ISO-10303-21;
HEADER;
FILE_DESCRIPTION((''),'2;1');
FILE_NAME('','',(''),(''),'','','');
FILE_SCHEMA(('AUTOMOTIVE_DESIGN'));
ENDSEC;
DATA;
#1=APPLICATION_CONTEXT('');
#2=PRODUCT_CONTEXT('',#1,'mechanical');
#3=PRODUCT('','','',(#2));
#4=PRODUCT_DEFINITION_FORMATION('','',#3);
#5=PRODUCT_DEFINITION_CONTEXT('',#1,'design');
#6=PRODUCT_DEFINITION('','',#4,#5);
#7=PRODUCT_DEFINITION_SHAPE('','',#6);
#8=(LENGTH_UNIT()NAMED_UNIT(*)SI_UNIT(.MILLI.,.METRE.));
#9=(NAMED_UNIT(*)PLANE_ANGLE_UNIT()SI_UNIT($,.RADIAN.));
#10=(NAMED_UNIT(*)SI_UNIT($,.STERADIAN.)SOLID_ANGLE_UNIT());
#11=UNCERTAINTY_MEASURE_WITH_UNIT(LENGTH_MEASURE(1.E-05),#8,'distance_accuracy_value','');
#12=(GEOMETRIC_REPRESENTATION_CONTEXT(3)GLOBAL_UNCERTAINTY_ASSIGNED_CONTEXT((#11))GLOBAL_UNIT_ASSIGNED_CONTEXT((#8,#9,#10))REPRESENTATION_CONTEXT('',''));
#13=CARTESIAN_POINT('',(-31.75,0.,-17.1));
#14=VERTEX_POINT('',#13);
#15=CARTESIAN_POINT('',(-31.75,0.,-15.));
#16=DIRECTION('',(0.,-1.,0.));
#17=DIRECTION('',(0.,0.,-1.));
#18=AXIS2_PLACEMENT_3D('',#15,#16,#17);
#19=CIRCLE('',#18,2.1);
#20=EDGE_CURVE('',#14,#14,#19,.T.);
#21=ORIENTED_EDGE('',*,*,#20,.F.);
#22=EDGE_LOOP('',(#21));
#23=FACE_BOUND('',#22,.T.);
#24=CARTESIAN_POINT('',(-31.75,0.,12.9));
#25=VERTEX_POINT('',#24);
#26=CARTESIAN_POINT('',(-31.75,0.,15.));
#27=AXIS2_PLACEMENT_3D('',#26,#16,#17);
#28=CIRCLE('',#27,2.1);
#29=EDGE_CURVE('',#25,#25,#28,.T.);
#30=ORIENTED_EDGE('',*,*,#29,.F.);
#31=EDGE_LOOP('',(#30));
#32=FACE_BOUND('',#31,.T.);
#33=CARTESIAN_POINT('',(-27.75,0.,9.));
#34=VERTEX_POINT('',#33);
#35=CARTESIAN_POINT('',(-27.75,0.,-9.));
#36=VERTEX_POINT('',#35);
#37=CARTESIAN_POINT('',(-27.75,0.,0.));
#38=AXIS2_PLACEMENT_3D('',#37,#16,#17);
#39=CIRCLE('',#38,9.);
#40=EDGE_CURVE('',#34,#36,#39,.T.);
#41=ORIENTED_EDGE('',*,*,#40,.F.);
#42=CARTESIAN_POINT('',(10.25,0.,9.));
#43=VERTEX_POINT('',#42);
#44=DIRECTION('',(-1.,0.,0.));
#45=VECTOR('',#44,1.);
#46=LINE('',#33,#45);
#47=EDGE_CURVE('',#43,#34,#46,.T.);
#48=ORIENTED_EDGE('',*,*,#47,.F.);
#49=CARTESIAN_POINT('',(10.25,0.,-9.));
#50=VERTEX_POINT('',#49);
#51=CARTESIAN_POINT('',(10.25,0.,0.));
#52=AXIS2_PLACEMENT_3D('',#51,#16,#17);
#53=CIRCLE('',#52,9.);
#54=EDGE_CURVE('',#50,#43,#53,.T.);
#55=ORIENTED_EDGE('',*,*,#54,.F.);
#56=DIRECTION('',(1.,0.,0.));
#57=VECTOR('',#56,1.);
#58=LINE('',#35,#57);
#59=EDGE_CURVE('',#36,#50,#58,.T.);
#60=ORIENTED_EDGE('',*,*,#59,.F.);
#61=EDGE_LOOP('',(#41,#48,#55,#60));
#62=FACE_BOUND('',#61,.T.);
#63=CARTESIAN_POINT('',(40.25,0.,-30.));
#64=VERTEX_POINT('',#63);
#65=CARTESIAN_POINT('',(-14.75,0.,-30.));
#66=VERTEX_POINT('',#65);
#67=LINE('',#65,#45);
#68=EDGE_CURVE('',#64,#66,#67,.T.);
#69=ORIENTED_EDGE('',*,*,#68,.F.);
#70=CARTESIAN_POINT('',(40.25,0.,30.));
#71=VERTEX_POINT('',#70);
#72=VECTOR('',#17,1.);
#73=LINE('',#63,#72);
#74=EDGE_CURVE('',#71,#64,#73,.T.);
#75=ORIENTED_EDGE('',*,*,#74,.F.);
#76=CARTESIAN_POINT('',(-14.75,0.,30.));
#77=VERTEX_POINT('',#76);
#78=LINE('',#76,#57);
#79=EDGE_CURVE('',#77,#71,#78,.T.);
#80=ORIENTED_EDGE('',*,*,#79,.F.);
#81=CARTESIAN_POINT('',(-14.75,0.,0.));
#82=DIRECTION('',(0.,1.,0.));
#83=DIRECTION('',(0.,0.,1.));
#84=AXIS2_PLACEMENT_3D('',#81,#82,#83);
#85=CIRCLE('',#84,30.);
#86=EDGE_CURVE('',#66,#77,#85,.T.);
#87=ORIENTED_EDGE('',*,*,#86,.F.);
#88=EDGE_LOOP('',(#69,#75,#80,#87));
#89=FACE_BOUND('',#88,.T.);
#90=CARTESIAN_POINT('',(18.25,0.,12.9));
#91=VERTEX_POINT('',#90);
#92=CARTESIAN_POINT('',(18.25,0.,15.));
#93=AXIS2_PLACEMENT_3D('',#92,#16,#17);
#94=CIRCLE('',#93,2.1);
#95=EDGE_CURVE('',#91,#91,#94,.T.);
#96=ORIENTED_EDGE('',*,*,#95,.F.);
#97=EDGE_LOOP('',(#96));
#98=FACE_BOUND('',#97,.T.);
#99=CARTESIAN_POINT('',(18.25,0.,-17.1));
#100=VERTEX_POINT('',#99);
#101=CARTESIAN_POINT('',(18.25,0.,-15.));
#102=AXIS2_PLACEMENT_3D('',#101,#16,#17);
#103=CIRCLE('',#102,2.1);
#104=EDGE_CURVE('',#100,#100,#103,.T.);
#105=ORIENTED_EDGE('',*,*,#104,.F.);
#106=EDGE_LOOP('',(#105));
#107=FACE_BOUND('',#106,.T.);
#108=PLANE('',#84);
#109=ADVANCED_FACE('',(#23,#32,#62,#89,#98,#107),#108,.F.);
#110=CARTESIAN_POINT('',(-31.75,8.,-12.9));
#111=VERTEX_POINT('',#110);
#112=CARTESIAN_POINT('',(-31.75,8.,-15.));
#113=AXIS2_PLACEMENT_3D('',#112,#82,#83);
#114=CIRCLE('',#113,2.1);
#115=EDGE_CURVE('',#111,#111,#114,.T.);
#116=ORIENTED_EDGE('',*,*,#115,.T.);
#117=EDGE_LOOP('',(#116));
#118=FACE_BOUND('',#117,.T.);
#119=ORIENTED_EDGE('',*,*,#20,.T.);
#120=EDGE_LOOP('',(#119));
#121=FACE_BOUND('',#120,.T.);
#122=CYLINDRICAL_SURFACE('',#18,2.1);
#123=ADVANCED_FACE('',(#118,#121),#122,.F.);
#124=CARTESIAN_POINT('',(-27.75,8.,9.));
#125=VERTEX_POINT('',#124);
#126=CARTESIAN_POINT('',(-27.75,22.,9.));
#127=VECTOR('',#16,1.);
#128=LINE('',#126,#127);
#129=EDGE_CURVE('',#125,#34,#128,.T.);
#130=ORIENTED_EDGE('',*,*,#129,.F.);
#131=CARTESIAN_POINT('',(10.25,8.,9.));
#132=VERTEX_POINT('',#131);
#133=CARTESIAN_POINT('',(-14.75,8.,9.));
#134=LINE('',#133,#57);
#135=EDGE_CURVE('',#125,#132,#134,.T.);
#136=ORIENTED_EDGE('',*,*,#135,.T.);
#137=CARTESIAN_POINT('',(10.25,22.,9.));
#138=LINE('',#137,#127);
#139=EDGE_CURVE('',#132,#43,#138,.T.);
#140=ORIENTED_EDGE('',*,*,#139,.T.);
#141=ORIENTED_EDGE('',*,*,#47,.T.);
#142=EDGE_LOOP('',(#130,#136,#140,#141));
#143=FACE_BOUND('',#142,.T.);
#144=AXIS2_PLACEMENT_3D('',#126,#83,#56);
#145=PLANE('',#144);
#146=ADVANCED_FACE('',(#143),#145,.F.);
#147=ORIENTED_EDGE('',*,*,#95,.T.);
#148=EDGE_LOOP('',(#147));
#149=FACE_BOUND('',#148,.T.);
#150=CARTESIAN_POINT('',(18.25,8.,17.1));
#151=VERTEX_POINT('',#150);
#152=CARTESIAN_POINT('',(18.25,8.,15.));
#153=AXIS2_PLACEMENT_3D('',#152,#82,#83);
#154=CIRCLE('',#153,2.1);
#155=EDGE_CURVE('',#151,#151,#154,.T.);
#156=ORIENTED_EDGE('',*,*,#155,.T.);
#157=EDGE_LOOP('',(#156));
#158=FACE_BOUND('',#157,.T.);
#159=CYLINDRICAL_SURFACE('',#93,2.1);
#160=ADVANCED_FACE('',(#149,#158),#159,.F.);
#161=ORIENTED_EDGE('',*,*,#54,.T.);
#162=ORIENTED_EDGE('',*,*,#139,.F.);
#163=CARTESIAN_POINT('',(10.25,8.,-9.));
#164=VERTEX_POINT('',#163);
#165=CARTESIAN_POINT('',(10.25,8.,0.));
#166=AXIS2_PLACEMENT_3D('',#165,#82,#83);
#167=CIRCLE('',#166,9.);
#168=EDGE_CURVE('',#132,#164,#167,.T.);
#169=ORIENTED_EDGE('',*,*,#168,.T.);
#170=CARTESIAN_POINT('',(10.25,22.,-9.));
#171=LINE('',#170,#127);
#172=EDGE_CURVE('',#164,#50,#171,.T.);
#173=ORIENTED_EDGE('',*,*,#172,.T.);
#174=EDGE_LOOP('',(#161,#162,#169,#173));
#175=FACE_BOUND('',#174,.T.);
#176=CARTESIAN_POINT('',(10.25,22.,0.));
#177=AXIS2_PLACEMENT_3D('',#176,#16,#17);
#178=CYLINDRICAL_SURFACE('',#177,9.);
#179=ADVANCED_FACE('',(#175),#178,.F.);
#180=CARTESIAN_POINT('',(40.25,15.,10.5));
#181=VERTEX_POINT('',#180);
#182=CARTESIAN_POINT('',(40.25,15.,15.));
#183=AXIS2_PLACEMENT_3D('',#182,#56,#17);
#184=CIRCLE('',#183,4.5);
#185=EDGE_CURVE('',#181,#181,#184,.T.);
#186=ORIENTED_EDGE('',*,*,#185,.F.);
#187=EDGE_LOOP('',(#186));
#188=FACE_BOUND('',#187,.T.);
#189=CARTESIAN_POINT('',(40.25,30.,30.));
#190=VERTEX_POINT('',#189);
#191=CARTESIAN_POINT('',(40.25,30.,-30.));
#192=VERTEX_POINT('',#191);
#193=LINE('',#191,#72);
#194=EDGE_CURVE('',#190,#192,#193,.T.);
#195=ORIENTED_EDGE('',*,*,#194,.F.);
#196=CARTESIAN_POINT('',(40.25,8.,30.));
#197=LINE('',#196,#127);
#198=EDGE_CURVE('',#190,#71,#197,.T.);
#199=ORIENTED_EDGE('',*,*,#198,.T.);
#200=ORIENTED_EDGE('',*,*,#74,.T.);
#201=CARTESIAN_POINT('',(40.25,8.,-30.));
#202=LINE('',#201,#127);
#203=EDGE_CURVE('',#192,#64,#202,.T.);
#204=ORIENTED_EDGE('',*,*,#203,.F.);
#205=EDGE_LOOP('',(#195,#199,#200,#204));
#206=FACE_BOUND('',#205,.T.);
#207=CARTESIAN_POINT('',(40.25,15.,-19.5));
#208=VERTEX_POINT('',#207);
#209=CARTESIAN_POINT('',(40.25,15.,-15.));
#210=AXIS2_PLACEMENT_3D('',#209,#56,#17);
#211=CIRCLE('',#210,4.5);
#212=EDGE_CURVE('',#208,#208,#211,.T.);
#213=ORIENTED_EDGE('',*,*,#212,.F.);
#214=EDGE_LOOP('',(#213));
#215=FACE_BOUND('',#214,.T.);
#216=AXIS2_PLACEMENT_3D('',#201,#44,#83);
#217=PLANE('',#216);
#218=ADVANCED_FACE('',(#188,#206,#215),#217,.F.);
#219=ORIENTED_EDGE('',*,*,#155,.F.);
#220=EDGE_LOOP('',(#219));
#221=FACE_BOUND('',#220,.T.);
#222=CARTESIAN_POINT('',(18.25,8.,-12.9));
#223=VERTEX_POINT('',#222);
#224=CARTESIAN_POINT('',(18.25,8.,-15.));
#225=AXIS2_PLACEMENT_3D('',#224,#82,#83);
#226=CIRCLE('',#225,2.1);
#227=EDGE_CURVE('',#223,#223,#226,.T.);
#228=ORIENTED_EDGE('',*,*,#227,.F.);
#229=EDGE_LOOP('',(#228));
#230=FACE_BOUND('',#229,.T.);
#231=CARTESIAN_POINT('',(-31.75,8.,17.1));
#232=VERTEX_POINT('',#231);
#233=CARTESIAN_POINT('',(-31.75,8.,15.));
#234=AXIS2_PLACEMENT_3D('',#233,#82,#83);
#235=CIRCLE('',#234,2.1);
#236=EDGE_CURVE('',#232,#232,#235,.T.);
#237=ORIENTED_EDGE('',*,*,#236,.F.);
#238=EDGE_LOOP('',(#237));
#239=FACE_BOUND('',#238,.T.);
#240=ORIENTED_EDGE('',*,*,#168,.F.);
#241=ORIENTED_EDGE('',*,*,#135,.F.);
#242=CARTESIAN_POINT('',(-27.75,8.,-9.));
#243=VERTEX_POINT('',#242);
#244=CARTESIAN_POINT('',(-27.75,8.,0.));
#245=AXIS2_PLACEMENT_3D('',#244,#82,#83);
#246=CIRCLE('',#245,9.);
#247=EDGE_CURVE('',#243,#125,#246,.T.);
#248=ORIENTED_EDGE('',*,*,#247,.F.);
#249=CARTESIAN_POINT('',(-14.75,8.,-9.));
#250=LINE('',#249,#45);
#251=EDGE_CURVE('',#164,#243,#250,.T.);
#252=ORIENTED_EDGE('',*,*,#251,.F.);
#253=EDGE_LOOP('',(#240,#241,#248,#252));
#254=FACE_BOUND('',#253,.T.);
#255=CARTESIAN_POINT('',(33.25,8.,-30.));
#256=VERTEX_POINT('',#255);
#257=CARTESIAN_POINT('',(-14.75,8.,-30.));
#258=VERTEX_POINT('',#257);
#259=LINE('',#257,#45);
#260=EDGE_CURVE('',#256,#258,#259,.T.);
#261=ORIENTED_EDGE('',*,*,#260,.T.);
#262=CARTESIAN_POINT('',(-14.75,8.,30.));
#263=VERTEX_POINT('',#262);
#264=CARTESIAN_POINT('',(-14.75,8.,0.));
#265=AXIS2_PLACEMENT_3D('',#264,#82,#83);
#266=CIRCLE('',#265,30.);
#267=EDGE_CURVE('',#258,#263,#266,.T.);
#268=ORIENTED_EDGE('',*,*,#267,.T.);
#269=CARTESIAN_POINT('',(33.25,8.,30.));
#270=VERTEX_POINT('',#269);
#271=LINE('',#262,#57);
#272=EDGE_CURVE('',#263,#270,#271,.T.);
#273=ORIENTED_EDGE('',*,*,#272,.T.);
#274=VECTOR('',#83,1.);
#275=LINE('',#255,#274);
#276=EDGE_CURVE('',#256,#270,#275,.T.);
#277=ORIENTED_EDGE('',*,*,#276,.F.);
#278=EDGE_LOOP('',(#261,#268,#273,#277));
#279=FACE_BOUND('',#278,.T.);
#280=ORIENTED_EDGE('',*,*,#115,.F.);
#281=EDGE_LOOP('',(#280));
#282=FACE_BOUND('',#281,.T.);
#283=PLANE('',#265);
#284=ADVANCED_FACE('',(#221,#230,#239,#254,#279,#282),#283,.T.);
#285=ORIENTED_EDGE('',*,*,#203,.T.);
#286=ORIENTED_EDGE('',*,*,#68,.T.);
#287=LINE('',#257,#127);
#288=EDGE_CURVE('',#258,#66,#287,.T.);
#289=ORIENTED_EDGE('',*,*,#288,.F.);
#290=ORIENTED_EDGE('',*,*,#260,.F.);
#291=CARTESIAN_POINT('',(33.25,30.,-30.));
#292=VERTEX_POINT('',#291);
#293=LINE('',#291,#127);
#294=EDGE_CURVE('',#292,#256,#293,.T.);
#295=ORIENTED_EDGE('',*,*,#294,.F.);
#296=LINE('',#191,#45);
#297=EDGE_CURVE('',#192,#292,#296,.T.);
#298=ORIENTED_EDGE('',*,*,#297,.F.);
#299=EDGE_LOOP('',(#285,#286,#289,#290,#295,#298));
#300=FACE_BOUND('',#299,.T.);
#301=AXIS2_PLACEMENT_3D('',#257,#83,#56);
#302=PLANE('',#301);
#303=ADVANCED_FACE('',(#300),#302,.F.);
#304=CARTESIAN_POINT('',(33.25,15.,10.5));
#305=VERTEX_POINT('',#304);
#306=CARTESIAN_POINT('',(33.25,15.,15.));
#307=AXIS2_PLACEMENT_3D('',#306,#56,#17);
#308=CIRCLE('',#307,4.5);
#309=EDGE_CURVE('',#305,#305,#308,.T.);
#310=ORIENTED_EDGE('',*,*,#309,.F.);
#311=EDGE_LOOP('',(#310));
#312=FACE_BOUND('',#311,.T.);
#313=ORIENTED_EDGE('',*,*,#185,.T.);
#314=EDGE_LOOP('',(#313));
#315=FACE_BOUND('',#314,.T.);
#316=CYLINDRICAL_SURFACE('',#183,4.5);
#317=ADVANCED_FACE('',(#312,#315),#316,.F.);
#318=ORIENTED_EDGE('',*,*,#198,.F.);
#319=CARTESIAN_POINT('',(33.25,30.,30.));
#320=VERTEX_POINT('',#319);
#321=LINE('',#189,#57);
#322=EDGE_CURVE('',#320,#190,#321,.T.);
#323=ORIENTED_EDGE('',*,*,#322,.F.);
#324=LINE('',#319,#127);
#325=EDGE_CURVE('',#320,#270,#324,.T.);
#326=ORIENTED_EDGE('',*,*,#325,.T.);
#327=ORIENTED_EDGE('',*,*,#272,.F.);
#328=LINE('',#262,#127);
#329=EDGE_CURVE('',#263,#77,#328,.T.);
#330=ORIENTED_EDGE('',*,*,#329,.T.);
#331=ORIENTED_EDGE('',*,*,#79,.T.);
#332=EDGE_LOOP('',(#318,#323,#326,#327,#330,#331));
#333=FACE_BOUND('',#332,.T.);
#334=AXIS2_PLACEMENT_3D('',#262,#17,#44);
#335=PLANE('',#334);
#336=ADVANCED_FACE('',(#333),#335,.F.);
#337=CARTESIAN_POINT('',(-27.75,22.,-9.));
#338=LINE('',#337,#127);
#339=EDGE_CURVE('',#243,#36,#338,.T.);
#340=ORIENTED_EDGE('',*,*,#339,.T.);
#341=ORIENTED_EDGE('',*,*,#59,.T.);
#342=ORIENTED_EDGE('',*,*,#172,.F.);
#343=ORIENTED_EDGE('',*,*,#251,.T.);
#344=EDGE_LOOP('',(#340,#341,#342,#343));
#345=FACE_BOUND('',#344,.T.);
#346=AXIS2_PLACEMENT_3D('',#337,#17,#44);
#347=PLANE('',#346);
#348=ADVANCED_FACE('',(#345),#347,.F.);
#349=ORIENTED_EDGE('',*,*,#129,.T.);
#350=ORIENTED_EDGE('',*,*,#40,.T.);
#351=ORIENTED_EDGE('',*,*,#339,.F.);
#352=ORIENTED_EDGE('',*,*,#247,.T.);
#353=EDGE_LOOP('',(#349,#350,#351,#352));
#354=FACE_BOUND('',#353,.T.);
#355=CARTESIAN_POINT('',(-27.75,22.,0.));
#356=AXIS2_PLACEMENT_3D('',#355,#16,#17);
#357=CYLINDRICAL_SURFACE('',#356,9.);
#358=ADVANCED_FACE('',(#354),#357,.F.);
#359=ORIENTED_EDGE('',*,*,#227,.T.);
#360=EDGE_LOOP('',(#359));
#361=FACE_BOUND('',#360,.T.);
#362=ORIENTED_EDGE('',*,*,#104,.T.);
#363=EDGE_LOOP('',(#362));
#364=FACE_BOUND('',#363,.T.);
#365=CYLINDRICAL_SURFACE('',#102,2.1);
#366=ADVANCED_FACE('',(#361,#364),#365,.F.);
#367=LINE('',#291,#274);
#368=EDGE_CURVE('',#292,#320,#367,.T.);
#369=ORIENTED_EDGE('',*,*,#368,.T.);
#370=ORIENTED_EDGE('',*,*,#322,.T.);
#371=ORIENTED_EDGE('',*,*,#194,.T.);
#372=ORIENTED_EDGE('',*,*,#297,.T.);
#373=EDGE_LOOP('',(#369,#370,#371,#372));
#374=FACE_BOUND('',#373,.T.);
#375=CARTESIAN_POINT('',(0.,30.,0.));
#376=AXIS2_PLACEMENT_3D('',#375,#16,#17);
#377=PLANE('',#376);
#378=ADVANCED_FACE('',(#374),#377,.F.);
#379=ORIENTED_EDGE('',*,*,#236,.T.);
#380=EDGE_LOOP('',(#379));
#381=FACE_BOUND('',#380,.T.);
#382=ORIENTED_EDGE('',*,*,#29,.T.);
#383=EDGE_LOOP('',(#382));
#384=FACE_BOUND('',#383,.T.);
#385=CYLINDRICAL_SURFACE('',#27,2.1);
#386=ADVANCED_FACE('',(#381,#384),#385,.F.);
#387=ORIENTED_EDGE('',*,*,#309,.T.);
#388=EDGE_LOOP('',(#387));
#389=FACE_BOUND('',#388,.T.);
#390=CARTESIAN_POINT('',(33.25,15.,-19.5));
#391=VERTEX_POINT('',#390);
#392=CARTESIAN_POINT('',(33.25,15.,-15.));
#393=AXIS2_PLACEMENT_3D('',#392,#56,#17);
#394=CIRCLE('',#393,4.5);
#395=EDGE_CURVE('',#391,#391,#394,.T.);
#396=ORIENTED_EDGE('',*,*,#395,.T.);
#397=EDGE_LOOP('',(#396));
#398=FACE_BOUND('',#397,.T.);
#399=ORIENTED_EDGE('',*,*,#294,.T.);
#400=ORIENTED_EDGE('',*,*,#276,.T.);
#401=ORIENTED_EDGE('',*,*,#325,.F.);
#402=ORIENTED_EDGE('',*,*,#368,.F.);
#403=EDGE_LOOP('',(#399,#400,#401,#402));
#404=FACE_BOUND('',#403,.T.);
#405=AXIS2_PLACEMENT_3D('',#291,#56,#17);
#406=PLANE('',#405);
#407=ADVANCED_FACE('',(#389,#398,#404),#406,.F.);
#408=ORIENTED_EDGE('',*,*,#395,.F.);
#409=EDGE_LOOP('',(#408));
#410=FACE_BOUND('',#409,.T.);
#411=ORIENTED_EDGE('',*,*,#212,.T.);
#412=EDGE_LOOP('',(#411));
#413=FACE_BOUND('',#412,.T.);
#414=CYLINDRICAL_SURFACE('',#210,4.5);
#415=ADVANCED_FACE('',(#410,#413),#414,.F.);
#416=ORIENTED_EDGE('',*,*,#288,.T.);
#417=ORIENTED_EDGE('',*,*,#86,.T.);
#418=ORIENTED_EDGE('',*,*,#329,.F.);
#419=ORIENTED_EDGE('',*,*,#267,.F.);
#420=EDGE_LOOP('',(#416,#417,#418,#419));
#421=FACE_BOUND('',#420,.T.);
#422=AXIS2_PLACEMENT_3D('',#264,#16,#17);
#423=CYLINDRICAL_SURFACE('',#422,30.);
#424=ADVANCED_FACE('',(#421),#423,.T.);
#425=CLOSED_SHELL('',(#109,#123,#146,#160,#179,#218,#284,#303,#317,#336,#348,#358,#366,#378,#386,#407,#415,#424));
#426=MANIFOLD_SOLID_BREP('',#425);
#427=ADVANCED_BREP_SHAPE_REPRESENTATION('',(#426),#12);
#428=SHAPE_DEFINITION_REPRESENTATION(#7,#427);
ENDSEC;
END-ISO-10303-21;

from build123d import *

# Parameters (mm, degrees)
EXTRUDE_1_DEPTH     = 8
SKETCH_2_W          = 7
SKETCH_2_H          = 60
EXTRUDE_2_DEPTH     = 22
MM_1_D              = 9
CUT_EXTRUDE_1_DEPTH = 22
HOLE_WIZARD_M5_1_D  = 4.2


with BuildPart() as part:
    # 草图1 → 凸台-拉伸1 (new body)
    with BuildSketch(Plane(origin=(0, 0, 0), x_dir=(1, 0, 0), z_dir=(0, 1, 0))):
        with BuildLine():
            Line((-14.75, 30), (40.25, 30))
            Line((40.25, 30), (40.25, -30))
            Line((40.25, -30), (-14.75, -30))
            ThreePointArc((-14.75, -30), (-44.75, 0), (-14.75, 30))
        make_face()
    extrude(amount=EXTRUDE_1_DEPTH)

    # 草图2 → 凸台-拉伸2 (add)
    with BuildSketch(Plane(origin=(0, 8, 0), x_dir=(1, 0, 0), z_dir=(0, 1, 0))):
        with Locations((36.75, 0)):
            Rectangle(SKETCH_2_W, SKETCH_2_H)
    extrude(amount=EXTRUDE_2_DEPTH)

    # 大小mm 暗销孔1 (through all)
    with Locations(Plane(origin=(40.25, 15, 15), x_dir=(0, 0, 1), z_dir=(1, 0, 0))):
        with Locations((0, 0), (-30, 0)):
            Hole(MM_1_D / 2)

    # 草图5 → 切除-拉伸1 (cut)
    with BuildSketch(Plane.XZ):
        with BuildLine():
            Line((-27.75, 9), (10.25, 9))
            ThreePointArc((10.25, 9), (19.25, 0), (10.25, -9))
            Line((10.25, -9), (-27.75, -9))
            ThreePointArc((-27.75, -9), (-36.75, 0), (-27.75, 9))
        make_face()
    extrude(amount=-CUT_EXTRUDE_1_DEPTH, mode=Mode.SUBTRACT)

    # M5 螺纹孔1 (through all)
    with Locations(Plane(origin=(-31.75, 0, 15), x_dir=(0, 0, -1), z_dir=(0, -1, 0))):
        with Locations((0, 0), (0, 50), (30, 50), (30, 0)):
            Hole(HOLE_WIZARD_M5_1_D / 2)


solid = part.part
